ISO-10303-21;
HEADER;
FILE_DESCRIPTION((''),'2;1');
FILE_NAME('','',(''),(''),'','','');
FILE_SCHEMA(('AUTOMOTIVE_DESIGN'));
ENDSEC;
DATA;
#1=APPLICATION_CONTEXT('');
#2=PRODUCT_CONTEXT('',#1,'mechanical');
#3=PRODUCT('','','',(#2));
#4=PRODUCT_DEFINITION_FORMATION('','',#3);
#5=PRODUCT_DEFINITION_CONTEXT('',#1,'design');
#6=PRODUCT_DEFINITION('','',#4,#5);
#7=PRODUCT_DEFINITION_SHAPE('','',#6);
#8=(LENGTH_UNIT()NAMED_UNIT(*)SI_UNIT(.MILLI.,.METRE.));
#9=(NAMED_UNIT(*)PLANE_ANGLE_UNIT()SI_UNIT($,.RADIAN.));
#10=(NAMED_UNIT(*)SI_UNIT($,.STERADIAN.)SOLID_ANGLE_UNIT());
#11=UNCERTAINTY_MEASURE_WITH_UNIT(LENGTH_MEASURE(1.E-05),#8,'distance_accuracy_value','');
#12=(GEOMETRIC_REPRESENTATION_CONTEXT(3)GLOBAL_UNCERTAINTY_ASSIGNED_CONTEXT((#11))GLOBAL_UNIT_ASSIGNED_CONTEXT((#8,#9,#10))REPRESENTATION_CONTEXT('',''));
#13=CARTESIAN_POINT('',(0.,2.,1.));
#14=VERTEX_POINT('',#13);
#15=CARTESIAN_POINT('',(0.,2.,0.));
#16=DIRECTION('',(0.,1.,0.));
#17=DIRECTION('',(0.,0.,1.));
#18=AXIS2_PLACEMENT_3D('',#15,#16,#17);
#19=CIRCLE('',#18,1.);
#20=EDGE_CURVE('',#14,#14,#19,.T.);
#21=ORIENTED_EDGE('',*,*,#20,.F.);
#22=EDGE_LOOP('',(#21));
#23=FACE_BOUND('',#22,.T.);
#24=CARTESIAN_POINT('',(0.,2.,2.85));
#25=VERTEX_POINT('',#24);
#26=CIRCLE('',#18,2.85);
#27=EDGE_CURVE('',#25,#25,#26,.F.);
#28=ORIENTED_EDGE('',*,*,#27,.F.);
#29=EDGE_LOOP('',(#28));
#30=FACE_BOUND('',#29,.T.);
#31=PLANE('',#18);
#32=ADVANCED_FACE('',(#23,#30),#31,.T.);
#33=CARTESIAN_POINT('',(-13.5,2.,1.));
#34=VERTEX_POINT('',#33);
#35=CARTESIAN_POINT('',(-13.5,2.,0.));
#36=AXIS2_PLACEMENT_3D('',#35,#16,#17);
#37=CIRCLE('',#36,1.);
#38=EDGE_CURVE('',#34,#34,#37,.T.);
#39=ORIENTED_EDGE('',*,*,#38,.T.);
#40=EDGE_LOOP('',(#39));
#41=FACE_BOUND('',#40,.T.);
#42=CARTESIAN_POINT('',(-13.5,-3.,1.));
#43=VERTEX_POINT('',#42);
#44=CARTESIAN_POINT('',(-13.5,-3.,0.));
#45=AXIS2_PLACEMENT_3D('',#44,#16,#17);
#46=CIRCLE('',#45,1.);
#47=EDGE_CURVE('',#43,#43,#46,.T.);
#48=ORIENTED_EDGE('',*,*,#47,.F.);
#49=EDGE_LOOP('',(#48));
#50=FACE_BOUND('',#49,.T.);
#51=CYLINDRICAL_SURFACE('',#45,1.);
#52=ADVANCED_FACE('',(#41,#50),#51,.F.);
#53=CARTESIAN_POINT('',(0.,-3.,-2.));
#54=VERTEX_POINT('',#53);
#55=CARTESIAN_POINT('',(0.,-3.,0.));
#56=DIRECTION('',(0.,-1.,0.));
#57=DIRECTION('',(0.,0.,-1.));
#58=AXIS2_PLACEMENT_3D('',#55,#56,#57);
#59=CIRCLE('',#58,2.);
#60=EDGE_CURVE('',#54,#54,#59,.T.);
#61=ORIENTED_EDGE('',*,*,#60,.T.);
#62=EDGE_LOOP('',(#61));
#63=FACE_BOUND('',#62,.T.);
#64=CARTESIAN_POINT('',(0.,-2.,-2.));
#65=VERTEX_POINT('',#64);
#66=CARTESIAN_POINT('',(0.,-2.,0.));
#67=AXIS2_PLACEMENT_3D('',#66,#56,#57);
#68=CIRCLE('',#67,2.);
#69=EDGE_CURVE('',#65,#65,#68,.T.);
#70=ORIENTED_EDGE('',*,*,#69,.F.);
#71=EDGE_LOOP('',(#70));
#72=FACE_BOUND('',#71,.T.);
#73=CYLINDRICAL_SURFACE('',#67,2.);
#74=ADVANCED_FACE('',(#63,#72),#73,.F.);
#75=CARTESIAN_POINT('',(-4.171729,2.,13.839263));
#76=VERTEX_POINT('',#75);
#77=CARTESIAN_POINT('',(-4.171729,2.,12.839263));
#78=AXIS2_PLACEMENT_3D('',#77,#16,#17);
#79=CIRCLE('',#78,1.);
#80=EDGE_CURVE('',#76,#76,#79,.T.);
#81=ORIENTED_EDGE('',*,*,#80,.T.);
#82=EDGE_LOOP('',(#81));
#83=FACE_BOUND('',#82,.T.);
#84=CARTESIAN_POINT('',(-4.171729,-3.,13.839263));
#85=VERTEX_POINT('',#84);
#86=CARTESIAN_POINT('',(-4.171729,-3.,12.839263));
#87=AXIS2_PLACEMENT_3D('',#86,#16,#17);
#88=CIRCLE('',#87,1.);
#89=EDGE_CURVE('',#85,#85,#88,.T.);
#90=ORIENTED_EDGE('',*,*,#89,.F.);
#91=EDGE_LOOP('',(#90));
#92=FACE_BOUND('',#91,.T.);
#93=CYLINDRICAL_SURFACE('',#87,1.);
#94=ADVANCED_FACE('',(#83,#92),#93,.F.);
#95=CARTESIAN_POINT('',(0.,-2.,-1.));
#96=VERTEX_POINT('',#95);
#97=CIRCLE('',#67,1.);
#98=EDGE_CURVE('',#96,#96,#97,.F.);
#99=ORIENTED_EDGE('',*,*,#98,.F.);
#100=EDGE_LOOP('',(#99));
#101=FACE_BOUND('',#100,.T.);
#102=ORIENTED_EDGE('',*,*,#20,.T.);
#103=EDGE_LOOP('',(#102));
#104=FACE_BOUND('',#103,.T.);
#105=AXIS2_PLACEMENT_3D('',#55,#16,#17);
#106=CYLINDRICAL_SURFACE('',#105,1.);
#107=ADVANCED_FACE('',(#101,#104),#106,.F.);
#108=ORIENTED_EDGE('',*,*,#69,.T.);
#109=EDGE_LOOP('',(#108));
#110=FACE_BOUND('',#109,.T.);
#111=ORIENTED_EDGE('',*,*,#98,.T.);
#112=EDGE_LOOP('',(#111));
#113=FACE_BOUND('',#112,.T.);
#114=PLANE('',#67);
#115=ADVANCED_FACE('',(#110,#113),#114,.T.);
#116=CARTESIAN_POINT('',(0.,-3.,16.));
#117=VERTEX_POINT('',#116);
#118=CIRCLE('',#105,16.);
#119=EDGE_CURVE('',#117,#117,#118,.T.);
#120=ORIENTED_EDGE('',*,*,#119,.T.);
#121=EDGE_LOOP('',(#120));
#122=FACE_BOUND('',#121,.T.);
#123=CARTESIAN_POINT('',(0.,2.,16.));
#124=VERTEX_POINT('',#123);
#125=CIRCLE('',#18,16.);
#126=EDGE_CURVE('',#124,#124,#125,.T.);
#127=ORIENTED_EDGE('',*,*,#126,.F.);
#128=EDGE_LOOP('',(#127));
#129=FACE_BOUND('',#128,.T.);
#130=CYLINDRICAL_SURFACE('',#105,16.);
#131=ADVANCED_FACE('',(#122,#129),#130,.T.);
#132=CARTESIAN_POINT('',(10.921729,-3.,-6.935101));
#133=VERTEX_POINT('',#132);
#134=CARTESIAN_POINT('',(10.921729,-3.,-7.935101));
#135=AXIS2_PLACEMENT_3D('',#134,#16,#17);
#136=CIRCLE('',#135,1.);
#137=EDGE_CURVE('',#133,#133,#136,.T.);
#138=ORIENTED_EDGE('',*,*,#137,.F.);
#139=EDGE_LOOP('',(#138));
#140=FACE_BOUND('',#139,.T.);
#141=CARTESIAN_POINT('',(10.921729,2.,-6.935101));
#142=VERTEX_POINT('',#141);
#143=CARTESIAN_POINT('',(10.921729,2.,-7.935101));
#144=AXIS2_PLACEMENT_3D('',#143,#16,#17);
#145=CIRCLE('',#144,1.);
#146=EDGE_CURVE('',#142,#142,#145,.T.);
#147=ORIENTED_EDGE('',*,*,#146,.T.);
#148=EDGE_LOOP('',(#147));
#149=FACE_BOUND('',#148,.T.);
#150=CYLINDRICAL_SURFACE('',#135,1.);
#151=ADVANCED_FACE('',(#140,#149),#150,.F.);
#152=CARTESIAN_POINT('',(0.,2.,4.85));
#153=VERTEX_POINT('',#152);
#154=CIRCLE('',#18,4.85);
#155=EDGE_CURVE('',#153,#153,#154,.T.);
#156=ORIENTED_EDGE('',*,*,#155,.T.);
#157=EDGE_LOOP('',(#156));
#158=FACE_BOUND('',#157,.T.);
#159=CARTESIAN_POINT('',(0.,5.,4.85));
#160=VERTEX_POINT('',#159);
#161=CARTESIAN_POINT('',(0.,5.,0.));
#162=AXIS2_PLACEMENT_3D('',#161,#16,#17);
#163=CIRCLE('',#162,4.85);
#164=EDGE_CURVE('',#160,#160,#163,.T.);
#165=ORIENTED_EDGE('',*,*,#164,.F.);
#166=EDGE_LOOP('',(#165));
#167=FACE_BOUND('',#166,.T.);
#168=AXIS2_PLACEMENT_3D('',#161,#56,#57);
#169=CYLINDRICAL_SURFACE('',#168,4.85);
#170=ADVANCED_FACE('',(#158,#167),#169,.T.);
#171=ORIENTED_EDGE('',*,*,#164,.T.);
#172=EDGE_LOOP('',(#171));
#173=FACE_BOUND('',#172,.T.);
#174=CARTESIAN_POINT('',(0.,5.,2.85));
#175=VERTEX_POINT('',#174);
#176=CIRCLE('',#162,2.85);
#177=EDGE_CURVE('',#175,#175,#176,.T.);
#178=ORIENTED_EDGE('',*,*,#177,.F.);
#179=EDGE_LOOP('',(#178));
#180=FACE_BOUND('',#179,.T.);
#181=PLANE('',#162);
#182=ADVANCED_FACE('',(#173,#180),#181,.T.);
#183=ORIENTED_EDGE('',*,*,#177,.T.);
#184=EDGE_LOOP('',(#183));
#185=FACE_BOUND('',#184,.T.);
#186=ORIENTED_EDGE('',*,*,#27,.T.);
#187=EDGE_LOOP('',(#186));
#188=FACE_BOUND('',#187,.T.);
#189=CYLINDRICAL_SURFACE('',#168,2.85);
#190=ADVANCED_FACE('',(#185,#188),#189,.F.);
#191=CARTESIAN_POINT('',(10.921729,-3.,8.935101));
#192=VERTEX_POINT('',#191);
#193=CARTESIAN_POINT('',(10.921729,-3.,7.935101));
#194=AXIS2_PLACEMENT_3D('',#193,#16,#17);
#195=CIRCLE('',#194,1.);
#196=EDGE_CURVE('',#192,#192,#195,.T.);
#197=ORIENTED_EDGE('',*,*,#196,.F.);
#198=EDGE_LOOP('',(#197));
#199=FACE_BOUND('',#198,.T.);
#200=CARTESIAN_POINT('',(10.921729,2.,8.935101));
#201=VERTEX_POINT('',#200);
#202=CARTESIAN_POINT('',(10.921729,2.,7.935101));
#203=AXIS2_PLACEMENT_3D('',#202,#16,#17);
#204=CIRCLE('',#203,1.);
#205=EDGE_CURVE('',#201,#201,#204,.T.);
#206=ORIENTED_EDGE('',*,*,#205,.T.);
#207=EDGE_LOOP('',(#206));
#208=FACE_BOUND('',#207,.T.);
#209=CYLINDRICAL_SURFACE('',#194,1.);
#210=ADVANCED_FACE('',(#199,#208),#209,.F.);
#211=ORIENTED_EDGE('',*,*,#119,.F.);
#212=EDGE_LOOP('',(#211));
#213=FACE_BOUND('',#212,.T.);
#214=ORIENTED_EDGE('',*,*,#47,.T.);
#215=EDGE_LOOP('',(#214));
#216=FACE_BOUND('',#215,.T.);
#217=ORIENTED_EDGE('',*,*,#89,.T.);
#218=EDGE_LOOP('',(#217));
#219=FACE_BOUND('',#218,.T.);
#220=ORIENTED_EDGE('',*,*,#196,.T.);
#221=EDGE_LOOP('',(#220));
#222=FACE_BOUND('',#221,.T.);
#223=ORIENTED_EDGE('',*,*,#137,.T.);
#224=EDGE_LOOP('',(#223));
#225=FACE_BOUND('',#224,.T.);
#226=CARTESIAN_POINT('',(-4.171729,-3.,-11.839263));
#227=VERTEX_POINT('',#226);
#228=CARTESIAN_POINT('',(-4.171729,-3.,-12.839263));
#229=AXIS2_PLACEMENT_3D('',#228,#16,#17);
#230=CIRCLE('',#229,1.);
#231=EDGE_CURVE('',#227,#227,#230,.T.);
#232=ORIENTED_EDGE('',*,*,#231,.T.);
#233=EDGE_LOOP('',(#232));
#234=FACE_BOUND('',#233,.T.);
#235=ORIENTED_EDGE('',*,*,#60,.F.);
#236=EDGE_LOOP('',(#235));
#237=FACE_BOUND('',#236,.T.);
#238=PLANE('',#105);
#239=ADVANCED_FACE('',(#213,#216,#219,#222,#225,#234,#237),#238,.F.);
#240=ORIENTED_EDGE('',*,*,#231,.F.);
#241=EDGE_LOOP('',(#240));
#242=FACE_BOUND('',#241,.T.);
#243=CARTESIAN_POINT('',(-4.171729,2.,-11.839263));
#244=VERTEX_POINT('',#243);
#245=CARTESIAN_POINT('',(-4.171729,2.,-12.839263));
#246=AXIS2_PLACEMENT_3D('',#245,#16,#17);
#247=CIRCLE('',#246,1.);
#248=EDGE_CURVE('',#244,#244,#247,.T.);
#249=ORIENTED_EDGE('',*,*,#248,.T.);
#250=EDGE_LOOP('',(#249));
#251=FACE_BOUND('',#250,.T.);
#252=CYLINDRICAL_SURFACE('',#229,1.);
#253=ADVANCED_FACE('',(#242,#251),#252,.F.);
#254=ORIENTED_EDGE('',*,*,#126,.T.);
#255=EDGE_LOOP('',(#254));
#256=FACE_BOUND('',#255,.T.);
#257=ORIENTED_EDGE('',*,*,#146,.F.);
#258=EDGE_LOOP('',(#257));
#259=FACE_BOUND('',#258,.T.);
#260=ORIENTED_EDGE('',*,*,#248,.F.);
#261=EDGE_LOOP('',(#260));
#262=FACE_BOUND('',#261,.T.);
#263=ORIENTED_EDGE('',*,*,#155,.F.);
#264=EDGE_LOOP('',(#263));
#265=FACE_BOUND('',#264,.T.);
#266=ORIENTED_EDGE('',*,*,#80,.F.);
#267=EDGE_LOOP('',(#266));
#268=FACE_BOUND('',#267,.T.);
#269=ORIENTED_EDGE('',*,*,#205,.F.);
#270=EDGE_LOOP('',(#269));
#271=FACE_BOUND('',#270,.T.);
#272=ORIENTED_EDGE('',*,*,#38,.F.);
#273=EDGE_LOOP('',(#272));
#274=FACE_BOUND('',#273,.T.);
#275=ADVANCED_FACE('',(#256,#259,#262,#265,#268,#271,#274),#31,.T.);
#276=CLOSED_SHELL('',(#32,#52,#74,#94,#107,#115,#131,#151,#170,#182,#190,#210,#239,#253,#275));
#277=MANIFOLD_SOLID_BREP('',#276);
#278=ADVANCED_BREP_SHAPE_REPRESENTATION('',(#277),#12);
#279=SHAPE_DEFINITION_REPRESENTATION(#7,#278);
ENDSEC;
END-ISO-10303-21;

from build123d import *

# Parameters (mm, degrees)
BOSS_EXTRUDE1_DEPTH      = 2
BOSS_EXTRUDE1_DEPTH_BACK = 3
SKETCH1_R                = 16
SKETCH1_R_2              = 1
SKETCH2_R                = 4.85
SKETCH2_R_2              = 2.85
BOSS_EXTRUDE3_DEPTH      = 3
SKETCH5_R                = 2
CUT_EXTRUDE2_DEPTH       = 1


with BuildPart() as part:
    # Sketch1 → Boss-Extrude1 (new, two sides: drawn at the far end of the back side and taken through both)
    with BuildSketch(Plane(origin=(0, 0, 0), x_dir=(1, 0, 0), z_dir=(0, 1, 0)).offset(-BOSS_EXTRUDE1_DEPTH_BACK)):
        with Locations(Location((0, 0, 0), (0, 0, 270))):
            Circle(SKETCH1_R)
        with Locations(Location((0, 0, 0), (0, 0, 270))):
            Circle(SKETCH1_R_2, mode=Mode.SUBTRACT)
        with Locations(Location((-13.5, 0, 0), (0, 0, 270))):
            Circle(SKETCH1_R_2, mode=Mode.SUBTRACT)
        with Locations(Location((-4.171729424, 12.83926297, 0), (0, 0, 270))):
            Circle(SKETCH1_R_2, mode=Mode.SUBTRACT)
        with Locations(Location((10.921729424, 7.935100906, 0), (0, 0, 270))):
            Circle(SKETCH1_R_2, mode=Mode.SUBTRACT)
        with Locations(Location((10.921729424, -7.935100906, 0), (0, 0, 270))):
            Circle(SKETCH1_R_2, mode=Mode.SUBTRACT)
        with Locations(Location((-4.171729424, -12.83926297, 0), (0, 0, 270))):
            Circle(SKETCH1_R_2, mode=Mode.SUBTRACT)
    extrude(amount=BOSS_EXTRUDE1_DEPTH + BOSS_EXTRUDE1_DEPTH_BACK)

    # Sketch2 → Boss-Extrude3 (add)
    with BuildSketch(Plane(origin=(0, 2, 0), x_dir=(1, 0, 0), z_dir=(0, 1, 0))):
        with Locations(Location((0, 0, 0), (0, 0, 270))):
            Circle(SKETCH2_R)
        with Locations(Location((0, 0, 0), (0, 0, 270))):
            Circle(SKETCH2_R_2, mode=Mode.SUBTRACT)
    extrude(amount=BOSS_EXTRUDE3_DEPTH)

    # Sketch5 → Cut-Extrude2 (cut)
    with BuildSketch(Plane.XZ.offset(3)):
        with Locations(Location((0, 0, 0), (0, 0, 270))):
            Circle(SKETCH5_R)
    extrude(amount=-CUT_EXTRUDE2_DEPTH, mode=Mode.SUBTRACT)


solid = part.part
